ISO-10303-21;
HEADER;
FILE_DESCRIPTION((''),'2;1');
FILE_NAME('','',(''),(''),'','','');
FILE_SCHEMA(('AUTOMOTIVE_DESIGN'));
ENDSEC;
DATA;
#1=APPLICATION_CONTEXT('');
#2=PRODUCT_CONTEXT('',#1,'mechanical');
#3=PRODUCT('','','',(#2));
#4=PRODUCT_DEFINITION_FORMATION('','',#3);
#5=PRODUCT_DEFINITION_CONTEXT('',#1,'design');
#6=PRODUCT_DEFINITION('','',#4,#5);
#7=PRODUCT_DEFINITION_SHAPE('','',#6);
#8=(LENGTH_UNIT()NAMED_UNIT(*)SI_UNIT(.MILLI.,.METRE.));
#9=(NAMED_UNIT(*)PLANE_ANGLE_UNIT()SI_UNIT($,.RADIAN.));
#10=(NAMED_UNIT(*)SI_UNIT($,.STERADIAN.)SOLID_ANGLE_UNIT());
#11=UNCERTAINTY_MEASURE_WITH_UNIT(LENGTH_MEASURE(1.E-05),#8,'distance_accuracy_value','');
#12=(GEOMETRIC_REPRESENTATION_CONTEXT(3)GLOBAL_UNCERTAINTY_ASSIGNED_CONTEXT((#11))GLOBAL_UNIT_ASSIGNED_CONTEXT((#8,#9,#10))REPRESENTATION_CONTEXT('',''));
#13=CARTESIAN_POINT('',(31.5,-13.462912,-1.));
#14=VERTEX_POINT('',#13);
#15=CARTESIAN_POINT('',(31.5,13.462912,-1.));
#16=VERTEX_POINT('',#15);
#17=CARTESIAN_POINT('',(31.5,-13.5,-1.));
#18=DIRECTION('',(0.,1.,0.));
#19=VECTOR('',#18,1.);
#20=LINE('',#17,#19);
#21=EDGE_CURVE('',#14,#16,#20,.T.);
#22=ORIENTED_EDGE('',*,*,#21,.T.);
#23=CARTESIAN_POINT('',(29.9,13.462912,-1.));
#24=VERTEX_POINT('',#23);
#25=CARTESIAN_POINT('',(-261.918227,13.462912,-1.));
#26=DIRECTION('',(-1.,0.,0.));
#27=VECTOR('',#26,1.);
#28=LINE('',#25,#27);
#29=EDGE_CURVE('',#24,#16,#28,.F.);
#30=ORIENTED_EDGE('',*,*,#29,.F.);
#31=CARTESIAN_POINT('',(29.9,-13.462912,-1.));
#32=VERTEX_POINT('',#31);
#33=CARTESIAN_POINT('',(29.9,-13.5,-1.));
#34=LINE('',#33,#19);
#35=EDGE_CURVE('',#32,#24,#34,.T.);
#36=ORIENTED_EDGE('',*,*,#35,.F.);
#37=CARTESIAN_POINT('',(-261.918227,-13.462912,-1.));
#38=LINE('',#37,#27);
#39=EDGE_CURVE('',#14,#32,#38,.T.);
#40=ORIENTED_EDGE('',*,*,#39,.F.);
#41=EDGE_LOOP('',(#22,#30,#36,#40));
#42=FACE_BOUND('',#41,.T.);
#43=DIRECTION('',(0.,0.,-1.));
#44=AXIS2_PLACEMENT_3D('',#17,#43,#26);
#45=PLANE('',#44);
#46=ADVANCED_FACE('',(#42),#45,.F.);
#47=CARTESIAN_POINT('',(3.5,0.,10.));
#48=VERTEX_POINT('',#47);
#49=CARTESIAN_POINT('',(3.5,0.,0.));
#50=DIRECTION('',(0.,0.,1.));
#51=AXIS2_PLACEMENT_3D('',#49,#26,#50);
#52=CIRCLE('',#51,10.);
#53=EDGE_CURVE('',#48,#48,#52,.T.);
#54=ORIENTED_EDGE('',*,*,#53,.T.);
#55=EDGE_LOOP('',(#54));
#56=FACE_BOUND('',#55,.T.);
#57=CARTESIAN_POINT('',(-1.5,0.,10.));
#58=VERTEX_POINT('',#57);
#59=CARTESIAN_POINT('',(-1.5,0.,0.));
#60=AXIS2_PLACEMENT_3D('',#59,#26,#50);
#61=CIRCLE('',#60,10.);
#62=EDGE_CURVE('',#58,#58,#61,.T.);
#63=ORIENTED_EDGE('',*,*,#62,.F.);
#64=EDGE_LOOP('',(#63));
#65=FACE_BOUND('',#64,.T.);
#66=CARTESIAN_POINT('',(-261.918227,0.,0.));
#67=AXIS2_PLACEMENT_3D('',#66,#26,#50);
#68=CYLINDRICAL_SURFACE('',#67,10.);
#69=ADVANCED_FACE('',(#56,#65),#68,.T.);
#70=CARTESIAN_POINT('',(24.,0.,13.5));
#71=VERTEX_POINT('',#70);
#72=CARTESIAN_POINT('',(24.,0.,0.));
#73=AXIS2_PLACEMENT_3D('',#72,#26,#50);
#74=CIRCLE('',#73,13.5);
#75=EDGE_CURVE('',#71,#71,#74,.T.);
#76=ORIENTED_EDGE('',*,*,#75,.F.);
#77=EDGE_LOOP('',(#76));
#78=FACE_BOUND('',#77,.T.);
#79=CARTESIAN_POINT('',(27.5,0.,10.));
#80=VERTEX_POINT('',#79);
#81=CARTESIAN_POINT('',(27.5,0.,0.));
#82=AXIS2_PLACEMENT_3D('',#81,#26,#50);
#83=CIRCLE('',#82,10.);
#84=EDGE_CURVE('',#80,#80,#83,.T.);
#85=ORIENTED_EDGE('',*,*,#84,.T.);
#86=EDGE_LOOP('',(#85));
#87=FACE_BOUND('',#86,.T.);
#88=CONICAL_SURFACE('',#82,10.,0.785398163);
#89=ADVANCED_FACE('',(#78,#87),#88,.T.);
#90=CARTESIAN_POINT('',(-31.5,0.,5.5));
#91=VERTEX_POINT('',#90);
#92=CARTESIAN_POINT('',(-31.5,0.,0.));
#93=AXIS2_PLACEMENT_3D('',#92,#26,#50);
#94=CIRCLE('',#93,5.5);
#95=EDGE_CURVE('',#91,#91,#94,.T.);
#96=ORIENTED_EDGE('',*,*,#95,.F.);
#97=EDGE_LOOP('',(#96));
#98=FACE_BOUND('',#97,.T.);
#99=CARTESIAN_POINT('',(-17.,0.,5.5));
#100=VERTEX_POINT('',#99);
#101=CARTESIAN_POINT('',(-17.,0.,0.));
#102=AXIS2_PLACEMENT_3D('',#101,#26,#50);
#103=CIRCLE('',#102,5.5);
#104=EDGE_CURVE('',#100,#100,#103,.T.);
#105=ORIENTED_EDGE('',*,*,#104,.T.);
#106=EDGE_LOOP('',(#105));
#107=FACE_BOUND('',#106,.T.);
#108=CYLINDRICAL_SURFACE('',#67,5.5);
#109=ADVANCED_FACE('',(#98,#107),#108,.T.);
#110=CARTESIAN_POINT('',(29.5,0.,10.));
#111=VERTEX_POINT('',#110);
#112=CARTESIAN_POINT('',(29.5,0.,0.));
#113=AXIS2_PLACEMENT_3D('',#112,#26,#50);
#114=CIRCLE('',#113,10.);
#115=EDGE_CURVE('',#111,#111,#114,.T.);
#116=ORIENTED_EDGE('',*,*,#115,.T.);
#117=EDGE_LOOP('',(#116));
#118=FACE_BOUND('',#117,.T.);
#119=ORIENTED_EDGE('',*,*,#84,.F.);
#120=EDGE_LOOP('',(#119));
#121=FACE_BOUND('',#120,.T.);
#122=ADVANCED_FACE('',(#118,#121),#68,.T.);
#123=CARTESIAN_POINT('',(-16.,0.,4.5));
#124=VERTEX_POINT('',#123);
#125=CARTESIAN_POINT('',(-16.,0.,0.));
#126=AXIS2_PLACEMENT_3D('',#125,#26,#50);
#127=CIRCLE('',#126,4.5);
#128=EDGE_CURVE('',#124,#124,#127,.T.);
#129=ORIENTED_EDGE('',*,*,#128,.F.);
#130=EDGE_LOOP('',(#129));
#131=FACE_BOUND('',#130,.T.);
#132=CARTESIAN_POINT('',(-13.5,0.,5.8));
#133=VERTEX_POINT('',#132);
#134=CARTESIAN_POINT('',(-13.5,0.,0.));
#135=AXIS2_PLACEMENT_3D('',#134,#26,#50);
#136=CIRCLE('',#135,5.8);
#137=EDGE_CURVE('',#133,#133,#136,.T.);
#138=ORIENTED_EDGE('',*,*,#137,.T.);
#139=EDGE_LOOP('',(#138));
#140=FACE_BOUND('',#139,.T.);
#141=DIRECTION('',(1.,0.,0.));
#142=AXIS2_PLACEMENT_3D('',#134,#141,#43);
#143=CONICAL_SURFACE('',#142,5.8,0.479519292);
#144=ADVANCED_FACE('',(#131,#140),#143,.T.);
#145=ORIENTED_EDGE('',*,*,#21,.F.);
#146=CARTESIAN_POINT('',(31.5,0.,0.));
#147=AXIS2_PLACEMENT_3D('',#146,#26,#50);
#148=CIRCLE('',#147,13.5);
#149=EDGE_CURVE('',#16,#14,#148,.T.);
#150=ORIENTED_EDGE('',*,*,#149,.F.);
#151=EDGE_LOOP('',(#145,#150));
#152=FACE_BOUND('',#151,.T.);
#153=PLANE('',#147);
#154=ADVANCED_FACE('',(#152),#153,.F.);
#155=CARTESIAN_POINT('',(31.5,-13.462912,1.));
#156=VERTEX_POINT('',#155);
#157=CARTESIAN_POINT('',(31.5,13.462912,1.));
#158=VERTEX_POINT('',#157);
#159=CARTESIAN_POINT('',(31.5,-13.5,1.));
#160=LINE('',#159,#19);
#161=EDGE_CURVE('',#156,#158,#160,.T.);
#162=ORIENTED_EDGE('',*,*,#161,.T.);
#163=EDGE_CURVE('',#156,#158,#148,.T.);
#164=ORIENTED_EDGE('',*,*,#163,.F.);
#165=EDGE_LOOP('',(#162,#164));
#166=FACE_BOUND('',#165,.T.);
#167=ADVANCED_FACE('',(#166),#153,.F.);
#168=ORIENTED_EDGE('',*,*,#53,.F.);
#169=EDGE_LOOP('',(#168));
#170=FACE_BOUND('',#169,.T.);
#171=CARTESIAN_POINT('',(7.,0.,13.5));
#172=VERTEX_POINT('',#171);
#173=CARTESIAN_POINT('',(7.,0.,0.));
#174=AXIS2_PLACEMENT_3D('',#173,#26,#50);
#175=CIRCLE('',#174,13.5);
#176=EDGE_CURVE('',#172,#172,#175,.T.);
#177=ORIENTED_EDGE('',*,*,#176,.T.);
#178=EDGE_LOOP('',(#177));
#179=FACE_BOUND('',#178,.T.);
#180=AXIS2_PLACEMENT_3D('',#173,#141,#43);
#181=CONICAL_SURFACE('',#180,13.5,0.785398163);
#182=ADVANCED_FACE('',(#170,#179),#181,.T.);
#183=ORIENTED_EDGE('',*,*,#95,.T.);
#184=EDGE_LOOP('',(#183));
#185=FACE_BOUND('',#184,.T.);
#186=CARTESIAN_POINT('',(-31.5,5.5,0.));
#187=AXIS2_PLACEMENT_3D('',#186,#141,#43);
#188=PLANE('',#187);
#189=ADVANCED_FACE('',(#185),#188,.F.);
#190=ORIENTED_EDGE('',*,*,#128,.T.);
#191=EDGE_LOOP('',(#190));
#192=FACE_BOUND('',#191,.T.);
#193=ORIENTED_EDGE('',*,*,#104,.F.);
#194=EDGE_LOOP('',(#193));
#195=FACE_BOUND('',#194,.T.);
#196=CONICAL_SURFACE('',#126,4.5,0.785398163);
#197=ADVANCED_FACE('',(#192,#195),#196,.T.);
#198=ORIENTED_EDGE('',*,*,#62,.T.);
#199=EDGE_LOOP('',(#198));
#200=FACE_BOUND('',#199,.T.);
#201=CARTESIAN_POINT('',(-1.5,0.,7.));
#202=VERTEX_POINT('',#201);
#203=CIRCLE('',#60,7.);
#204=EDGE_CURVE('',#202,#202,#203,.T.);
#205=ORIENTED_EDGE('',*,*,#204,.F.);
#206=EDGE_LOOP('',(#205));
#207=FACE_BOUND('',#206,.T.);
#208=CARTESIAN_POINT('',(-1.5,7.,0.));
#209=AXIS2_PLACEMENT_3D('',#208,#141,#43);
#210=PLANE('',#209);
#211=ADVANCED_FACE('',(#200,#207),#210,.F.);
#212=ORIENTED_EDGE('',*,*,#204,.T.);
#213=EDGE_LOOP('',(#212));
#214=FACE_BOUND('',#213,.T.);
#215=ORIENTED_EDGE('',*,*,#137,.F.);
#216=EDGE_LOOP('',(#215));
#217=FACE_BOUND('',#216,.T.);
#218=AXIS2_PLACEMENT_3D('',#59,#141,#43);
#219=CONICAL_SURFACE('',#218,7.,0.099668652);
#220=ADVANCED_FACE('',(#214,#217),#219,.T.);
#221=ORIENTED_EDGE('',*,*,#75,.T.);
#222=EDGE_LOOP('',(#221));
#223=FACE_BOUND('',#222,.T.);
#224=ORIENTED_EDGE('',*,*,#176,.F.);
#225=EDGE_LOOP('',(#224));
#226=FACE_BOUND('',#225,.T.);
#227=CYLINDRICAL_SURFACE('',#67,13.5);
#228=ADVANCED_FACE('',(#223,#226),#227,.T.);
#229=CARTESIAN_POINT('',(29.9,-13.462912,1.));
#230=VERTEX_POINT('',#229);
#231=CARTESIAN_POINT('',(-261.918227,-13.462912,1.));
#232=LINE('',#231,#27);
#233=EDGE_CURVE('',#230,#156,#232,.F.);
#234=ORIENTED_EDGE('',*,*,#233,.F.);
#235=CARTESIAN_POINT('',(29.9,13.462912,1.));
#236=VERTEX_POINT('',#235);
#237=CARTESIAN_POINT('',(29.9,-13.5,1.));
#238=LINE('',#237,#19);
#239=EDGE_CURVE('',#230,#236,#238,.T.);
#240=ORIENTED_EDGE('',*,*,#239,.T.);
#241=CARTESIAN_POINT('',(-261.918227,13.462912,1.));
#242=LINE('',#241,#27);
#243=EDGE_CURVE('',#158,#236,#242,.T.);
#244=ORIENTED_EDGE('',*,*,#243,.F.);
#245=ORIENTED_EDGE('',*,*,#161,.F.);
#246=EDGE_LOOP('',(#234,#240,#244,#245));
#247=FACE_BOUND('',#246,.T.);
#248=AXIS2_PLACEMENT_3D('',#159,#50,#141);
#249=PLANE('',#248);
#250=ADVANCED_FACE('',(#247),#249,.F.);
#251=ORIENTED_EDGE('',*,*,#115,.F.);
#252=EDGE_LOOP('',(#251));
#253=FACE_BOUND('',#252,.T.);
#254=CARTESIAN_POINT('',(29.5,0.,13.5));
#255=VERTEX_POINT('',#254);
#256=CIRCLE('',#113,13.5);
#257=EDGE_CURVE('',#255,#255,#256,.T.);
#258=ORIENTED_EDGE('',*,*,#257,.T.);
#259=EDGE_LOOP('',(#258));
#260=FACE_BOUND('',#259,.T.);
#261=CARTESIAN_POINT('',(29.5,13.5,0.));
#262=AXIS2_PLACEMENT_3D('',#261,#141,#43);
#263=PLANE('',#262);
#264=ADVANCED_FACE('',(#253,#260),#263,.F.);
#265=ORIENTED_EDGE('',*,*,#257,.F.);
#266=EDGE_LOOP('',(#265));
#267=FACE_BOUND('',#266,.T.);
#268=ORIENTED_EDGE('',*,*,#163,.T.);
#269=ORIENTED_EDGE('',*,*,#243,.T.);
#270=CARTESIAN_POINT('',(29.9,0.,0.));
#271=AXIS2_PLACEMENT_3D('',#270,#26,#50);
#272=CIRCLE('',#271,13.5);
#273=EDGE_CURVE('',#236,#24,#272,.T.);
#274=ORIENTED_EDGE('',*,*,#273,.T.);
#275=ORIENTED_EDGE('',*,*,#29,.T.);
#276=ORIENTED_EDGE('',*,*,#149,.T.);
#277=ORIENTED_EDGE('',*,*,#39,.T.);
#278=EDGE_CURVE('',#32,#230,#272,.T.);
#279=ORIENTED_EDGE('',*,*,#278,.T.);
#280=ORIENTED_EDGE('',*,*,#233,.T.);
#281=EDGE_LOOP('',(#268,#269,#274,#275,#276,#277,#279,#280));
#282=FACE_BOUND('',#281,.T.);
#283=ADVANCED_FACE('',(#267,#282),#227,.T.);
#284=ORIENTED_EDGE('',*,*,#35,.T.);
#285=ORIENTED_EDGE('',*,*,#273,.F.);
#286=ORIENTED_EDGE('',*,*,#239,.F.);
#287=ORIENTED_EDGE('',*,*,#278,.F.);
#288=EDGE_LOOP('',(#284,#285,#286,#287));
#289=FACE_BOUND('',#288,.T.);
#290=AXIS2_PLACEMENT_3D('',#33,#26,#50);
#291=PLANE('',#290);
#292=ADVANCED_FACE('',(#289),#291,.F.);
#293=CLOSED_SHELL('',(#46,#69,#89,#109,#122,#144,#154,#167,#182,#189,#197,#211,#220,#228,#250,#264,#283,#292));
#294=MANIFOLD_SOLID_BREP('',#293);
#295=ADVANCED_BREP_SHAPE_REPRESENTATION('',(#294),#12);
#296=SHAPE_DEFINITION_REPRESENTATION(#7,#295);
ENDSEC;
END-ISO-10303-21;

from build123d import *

# Parameters (mm, degrees)
SKETCH_2_W               = 1.6
SKETCH_2_H               = 2
CUT_EXTRUDE_1_DEPTH      = 14.5
CUT_EXTRUDE_1_DEPTH_BACK = 14.5


with BuildPart() as part:
    # Эскиз1 → Повернуть1 (revolve)
    with BuildSketch(Plane.XY):
        Polygon((-31.5, 0), (31.5, 0), (31.5, 13.5), (29.5, 13.5), (29.5, 10), (27.5, 10), (24, 13.5), (7, 13.5), (3.5, 10), (-1.5, 10), (-1.5, 7), (-13.5, 5.8), (-16, 4.5), (-17, 5.5), (-31.5, 5.5), align=None)
    revolve(axis=Axis((-261.918227013, 0, 0), (1, 0, 0)))

    # Эскиз2 → Вырез-Вытянуть1 (cut, two sides)
    with BuildSketch(Plane(origin=(0, 0, 0), x_dir=(1, 0, 0), z_dir=(0, 1, 0))) as cut_extrude_1_sk:
        with Locations((30.7, 0)):
            Rectangle(SKETCH_2_W, SKETCH_2_H)
    extrude(amount=CUT_EXTRUDE_1_DEPTH, mode=Mode.SUBTRACT)
    extrude(cut_extrude_1_sk.sketch, amount=-CUT_EXTRUDE_1_DEPTH_BACK, mode=Mode.SUBTRACT)


solid = part.part
